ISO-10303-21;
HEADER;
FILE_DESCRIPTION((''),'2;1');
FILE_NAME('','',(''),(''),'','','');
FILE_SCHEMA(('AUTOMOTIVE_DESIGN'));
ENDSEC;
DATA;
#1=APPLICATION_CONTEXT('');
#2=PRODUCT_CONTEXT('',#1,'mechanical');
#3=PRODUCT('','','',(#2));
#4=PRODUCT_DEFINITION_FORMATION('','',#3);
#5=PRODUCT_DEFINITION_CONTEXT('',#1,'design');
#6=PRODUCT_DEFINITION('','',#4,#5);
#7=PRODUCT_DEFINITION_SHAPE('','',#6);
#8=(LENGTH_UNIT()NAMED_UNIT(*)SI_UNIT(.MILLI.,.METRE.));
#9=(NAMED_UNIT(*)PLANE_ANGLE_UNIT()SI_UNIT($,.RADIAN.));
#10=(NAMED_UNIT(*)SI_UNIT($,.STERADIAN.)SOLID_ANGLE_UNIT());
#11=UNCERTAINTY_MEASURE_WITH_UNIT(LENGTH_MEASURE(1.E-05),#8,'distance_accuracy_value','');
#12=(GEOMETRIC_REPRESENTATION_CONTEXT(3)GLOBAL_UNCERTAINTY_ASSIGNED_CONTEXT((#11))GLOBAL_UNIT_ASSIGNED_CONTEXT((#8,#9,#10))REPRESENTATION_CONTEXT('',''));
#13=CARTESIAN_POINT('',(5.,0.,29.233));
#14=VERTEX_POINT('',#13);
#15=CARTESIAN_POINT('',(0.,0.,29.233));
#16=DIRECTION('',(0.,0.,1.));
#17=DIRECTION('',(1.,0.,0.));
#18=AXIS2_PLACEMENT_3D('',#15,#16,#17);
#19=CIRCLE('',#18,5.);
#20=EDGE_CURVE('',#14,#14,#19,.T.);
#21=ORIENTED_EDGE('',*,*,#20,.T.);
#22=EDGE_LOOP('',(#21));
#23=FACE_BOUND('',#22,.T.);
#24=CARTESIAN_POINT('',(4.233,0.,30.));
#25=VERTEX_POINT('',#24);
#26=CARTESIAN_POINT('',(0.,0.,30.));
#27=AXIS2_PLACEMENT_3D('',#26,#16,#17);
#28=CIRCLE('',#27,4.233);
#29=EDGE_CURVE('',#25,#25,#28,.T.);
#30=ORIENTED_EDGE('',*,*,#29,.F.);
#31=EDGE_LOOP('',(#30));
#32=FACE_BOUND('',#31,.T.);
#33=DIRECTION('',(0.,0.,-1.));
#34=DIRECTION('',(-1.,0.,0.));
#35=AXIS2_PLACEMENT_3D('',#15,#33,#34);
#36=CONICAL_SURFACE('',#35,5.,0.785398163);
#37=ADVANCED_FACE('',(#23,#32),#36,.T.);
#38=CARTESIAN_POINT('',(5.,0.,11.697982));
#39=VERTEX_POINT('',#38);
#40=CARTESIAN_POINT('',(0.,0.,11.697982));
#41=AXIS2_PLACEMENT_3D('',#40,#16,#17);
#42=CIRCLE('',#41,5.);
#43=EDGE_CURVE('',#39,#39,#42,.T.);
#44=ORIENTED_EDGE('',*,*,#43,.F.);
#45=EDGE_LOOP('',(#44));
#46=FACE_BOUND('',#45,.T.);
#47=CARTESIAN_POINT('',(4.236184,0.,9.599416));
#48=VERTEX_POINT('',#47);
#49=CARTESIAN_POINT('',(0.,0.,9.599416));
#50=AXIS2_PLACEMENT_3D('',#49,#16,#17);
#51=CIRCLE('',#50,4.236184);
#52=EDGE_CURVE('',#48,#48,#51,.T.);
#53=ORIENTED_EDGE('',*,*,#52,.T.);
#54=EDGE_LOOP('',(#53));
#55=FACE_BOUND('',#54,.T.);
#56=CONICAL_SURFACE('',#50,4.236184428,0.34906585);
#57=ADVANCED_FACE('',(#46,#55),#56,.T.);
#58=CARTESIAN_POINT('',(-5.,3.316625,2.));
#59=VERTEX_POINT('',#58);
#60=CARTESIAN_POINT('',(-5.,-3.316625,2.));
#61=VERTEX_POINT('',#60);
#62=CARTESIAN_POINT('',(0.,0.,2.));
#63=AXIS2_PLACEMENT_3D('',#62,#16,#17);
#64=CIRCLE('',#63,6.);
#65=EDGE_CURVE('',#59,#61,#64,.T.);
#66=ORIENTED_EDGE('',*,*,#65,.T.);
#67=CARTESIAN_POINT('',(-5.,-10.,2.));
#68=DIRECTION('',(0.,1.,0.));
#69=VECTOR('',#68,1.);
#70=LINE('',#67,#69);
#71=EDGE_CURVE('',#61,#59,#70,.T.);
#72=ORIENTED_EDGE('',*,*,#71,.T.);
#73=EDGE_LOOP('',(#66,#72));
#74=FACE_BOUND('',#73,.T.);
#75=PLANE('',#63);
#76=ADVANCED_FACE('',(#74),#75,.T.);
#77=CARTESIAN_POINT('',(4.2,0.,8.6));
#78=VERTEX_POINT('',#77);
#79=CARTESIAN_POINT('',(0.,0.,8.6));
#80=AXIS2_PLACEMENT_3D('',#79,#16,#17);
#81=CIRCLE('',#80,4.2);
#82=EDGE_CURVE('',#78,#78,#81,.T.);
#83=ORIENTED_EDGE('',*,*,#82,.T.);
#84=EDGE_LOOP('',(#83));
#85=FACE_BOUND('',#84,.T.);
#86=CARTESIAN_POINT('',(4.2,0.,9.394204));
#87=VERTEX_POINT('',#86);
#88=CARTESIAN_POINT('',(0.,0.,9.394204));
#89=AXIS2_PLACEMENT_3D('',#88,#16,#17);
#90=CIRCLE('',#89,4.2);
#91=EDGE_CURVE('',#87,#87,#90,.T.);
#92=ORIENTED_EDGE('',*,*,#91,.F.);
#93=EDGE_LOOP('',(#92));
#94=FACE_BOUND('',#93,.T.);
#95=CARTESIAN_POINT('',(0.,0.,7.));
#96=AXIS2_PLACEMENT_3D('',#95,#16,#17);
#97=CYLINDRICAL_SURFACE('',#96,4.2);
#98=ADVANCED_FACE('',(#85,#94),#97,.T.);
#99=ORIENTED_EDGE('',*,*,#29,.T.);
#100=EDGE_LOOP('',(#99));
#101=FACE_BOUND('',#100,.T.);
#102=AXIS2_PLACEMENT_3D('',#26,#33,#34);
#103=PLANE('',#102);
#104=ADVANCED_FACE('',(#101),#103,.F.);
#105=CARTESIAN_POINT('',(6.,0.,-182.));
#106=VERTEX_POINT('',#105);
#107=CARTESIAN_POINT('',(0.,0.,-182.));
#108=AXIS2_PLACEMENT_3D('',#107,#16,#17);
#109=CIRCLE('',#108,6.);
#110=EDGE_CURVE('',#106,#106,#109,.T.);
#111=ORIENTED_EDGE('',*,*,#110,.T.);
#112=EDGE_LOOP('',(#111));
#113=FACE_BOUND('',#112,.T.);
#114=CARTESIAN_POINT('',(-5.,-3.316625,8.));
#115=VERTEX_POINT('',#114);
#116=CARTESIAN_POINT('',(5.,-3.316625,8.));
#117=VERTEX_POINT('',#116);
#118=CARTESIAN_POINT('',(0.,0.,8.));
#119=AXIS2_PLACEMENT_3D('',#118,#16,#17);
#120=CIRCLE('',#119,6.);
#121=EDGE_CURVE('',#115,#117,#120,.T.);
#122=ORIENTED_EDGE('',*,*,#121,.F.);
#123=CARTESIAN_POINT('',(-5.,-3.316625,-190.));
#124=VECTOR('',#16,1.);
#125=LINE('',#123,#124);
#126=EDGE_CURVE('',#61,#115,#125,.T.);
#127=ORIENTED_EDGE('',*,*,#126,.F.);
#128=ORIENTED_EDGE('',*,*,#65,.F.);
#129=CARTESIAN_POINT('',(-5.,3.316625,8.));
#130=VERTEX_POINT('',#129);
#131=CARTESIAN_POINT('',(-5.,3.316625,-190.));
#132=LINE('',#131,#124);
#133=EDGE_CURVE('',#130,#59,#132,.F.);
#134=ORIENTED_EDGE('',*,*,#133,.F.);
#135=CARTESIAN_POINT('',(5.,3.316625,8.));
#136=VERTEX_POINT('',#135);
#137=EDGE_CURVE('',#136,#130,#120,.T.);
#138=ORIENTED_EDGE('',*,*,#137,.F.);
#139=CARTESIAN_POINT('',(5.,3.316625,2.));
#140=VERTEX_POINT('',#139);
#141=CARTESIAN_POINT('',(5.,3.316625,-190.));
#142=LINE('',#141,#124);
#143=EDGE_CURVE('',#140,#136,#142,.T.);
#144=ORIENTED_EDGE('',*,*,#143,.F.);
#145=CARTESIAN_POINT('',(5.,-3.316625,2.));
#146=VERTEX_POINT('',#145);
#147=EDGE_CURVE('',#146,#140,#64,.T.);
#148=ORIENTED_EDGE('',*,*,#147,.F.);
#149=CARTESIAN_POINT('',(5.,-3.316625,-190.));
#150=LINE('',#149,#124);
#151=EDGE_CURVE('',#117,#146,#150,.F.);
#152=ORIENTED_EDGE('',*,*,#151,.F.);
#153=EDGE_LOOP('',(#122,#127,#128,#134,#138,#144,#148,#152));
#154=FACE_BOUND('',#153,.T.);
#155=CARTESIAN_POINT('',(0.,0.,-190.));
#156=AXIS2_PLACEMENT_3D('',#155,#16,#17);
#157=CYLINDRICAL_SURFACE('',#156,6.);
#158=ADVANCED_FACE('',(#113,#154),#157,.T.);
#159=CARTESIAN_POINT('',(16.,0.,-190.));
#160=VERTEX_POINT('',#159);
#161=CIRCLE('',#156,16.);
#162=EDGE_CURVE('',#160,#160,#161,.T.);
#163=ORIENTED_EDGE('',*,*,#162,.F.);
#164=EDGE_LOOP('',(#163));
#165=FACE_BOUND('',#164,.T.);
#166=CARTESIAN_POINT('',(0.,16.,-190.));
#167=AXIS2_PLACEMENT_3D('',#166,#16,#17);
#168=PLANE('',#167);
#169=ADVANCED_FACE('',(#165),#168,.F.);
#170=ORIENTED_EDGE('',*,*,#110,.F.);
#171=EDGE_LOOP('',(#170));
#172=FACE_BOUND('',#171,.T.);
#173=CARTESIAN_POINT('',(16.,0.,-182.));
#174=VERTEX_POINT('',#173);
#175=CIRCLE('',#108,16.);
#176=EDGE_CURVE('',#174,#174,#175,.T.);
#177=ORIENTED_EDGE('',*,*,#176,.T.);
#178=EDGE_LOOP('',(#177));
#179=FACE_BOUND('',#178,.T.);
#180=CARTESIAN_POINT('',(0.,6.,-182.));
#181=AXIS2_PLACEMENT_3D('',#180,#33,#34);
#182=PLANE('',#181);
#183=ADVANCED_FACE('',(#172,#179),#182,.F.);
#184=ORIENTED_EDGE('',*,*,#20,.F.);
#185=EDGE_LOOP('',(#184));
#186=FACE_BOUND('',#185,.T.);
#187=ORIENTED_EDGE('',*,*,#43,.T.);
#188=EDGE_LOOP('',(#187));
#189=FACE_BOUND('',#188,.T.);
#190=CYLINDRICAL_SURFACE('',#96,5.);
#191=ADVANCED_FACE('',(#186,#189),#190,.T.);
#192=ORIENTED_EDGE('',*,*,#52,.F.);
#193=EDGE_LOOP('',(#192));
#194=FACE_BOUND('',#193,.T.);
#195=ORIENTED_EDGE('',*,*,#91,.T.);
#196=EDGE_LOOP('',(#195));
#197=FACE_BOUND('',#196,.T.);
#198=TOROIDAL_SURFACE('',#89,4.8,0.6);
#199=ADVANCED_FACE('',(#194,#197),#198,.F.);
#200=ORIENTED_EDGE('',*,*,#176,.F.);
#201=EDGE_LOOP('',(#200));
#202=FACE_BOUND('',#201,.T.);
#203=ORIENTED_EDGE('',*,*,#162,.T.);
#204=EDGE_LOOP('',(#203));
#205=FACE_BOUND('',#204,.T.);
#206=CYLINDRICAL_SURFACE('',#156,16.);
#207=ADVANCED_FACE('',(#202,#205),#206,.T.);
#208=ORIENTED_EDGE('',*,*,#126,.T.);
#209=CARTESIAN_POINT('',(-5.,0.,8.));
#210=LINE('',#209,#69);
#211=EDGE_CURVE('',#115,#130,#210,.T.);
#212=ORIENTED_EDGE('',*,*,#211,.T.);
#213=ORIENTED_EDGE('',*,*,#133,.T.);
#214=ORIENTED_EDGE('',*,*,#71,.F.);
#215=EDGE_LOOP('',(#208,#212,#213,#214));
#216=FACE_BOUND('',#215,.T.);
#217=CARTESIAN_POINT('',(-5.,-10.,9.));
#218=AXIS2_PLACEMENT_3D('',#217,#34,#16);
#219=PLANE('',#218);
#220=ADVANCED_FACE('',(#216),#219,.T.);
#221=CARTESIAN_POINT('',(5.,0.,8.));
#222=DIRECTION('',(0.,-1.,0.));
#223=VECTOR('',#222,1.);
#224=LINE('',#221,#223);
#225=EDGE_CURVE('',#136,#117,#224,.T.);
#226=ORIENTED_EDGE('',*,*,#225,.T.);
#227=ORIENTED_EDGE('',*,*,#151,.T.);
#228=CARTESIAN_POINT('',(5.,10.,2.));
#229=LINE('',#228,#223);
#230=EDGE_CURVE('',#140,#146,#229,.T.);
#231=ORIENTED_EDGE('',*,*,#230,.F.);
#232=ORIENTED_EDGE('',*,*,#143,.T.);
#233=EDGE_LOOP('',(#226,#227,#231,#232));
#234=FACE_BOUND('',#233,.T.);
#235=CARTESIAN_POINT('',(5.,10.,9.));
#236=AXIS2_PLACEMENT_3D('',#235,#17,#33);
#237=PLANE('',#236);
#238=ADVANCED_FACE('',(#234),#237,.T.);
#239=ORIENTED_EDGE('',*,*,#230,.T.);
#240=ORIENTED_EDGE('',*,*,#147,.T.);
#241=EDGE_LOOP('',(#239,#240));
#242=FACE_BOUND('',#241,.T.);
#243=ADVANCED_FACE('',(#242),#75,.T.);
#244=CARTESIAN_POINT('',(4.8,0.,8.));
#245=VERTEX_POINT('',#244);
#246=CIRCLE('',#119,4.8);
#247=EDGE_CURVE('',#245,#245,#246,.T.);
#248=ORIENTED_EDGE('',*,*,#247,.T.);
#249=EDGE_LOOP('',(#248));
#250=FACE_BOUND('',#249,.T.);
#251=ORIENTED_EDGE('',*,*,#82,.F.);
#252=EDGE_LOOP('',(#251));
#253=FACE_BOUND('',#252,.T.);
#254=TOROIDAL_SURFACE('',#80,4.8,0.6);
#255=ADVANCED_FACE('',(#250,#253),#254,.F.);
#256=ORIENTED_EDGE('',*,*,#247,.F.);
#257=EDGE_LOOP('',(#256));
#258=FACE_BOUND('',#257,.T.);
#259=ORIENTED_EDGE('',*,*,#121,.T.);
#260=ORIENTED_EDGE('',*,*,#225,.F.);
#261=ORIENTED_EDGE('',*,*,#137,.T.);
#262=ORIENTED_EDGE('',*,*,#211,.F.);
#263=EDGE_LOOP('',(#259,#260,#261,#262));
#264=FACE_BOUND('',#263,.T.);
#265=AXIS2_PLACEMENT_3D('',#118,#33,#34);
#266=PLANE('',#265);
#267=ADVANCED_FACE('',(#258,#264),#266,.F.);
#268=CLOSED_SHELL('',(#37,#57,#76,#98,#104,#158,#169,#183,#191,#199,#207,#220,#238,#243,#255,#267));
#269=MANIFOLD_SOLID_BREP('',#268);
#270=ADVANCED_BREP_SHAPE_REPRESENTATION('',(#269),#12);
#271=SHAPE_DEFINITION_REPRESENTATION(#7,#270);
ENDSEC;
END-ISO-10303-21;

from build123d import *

# Parameters (mm, degrees)
SCHNITT_LINEAR_AUSTRAGEN1_DEPTH = 7


with BuildPart() as part:
    # Skizze1 → Rotation1 (revolve)
    with BuildSketch(Plane(origin=(0, 0, 0), x_dir=(0, 0, -1), z_dir=(1, 0, 0))):
        Polygon((-8, 0), (-8, 6), (182, 6), (182, 16), (190, 16), (190, 0), align=None)
    revolve(axis=Axis((0, 0, -190), (0, 0, 1)))

    # Skizze2 → Rotation2 (revolve)
    with BuildSketch(Plane(origin=(0, 0, 0), x_dir=(0, 0, -1), z_dir=(1, 0, 0))):
        with BuildLine():
            Line((-30, 0), (-30, 4.233))
            Line((-30, 4.233), (-29.233, 5))
            Line((-29.233, 5), (-11.697981936, 5))
            Line((-11.697981936, 5), (-9.599415898, 4.236184428))
            ThreePointArc((-9.599415898, 4.236184428), (-9.498392718, 4.209115348), (-9.394203812, 4.2))
            Line((-9.394203812, 4.2), (-8.6, 4.2))
            ThreePointArc((-8.6, 4.2), (-8.175735931, 4.375735931), (-8, 4.8))
            Line((-8, 4.8), (-8, 5))
            Line((-8, 5), (-7, 5))
            Line((-7, 5), (-7, 0))
            Line((-7, 0), (-30, 0))
        make_face()
    revolve(axis=Axis((0, 0, 7), (0, 0, 1)))

    # Skizze3 → Schnitt-Linear austragen1 (cut)
    with BuildSketch(Plane.XY.offset(2)):
        Polygon((-10, 20), (-10, -10), (-5, -10), (-5, 10), (5, 10), (5, -10), (10, -10), (10, 20), align=None)
    extrude(amount=SCHNITT_LINEAR_AUSTRAGEN1_DEPTH, mode=Mode.SUBTRACT)


solid = part.part
